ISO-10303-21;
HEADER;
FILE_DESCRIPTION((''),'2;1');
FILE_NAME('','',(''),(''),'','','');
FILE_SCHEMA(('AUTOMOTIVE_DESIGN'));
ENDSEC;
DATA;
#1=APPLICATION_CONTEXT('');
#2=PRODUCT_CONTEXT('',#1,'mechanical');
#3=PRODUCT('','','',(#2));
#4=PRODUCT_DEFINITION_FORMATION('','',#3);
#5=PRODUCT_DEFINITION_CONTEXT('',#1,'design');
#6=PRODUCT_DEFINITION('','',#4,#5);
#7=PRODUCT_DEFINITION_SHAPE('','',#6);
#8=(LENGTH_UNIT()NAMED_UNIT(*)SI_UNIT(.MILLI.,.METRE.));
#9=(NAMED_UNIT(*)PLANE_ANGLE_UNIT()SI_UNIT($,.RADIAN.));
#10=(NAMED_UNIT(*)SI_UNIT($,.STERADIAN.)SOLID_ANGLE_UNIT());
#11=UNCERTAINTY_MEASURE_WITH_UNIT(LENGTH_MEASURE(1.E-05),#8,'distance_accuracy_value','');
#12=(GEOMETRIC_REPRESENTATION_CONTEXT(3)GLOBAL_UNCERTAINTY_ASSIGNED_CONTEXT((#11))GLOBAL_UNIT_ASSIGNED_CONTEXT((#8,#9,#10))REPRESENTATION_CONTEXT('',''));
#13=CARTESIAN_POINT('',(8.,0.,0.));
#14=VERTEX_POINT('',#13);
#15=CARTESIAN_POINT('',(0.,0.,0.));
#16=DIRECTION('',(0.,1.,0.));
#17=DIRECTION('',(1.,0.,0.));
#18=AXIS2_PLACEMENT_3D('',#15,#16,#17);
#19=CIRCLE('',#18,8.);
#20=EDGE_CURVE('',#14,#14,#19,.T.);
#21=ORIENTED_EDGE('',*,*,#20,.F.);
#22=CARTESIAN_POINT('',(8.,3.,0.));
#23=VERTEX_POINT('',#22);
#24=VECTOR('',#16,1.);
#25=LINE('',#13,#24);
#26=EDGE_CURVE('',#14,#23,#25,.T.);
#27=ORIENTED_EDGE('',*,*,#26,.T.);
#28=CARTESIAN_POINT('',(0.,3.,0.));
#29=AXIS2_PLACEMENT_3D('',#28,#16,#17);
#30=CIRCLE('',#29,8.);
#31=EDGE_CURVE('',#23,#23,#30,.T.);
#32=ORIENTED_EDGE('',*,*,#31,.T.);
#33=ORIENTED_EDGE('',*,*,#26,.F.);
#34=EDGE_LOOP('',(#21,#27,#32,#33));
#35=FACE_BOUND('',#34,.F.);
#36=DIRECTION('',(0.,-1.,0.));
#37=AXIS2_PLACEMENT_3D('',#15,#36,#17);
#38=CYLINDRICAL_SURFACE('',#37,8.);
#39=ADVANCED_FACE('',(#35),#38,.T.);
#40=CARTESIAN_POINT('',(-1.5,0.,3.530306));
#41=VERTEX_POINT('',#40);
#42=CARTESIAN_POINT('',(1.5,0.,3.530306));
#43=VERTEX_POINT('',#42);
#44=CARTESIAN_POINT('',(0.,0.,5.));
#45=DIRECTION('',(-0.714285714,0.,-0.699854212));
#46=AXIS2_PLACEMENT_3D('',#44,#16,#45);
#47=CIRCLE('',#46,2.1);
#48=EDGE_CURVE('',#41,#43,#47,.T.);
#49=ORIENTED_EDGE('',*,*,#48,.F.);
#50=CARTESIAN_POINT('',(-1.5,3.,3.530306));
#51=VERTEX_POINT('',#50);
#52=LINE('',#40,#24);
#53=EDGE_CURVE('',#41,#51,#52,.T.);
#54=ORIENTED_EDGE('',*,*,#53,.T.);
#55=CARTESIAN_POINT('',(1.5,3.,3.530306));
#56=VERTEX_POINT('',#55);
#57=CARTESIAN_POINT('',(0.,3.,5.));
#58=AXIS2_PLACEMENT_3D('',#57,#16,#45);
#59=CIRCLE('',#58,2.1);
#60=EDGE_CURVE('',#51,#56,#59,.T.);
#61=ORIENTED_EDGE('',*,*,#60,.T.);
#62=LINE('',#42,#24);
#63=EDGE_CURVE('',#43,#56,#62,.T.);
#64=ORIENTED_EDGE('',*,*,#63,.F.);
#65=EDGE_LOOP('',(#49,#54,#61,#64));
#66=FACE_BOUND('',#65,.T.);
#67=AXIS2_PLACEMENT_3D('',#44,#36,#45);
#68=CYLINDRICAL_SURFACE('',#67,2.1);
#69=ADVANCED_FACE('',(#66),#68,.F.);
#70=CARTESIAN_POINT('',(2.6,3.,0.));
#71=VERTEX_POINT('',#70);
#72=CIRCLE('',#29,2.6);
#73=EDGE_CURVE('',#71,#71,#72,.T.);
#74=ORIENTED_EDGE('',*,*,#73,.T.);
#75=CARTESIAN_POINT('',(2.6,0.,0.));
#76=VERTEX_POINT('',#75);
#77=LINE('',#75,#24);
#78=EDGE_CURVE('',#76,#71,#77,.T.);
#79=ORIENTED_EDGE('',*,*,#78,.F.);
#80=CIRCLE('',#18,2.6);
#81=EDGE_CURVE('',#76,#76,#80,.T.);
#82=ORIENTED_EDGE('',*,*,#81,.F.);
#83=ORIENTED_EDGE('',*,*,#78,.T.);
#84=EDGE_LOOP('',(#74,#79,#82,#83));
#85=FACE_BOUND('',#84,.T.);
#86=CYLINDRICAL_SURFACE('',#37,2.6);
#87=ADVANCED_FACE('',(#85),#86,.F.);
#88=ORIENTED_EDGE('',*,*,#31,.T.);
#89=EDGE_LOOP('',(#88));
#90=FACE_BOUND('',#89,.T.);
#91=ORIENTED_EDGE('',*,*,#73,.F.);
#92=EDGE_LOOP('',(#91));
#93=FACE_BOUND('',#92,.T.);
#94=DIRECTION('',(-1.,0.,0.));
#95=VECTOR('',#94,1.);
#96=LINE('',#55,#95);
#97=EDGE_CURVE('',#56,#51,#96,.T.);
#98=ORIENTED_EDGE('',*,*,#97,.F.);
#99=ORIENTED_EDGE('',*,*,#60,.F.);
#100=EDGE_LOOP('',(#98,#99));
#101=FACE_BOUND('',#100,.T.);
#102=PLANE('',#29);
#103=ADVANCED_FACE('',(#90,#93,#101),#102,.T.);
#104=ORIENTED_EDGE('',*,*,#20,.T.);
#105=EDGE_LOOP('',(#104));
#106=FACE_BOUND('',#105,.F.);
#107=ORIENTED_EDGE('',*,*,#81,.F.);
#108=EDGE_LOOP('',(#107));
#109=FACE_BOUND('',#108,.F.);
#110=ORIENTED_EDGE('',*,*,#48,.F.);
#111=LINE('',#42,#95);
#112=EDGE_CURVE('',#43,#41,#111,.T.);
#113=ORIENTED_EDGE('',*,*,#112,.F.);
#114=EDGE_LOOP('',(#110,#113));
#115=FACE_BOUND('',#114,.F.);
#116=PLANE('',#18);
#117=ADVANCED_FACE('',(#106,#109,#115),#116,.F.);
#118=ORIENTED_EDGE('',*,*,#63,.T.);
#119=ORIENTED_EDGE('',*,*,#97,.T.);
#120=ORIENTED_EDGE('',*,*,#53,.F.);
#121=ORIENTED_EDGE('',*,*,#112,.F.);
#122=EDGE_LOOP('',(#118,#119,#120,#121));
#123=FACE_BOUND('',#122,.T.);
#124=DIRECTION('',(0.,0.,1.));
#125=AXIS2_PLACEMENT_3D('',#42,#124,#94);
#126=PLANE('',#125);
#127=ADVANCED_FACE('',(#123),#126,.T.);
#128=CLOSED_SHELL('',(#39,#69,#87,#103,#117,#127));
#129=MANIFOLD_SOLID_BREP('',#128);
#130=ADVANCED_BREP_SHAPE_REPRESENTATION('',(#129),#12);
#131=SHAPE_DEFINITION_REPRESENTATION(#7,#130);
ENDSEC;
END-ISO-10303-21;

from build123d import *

# Parameters (mm, degrees)
SKETCH1_R           = 8
SKETCH1_R_2         = 2.6
BOSS_EXTRUDE1_DEPTH = 3


with BuildPart() as part:
    # Sketch1 → Boss-Extrude1 (new body)
    with BuildSketch(Plane(origin=(0, 0, 0), x_dir=(1, 0, 0), z_dir=(0, 1, 0))):
        Circle(SKETCH1_R)
        Circle(SKETCH1_R_2, mode=Mode.SUBTRACT)
        with BuildLine():
            Line((1.5, -3.530306154), (-1.5, -3.530306154))
            ThreePointArc((-1.5, -3.530306154), (0, -7.1), (1.5, -3.530306154))
        make_face(mode=Mode.SUBTRACT)
    extrude(amount=BOSS_EXTRUDE1_DEPTH)


solid = part.part
